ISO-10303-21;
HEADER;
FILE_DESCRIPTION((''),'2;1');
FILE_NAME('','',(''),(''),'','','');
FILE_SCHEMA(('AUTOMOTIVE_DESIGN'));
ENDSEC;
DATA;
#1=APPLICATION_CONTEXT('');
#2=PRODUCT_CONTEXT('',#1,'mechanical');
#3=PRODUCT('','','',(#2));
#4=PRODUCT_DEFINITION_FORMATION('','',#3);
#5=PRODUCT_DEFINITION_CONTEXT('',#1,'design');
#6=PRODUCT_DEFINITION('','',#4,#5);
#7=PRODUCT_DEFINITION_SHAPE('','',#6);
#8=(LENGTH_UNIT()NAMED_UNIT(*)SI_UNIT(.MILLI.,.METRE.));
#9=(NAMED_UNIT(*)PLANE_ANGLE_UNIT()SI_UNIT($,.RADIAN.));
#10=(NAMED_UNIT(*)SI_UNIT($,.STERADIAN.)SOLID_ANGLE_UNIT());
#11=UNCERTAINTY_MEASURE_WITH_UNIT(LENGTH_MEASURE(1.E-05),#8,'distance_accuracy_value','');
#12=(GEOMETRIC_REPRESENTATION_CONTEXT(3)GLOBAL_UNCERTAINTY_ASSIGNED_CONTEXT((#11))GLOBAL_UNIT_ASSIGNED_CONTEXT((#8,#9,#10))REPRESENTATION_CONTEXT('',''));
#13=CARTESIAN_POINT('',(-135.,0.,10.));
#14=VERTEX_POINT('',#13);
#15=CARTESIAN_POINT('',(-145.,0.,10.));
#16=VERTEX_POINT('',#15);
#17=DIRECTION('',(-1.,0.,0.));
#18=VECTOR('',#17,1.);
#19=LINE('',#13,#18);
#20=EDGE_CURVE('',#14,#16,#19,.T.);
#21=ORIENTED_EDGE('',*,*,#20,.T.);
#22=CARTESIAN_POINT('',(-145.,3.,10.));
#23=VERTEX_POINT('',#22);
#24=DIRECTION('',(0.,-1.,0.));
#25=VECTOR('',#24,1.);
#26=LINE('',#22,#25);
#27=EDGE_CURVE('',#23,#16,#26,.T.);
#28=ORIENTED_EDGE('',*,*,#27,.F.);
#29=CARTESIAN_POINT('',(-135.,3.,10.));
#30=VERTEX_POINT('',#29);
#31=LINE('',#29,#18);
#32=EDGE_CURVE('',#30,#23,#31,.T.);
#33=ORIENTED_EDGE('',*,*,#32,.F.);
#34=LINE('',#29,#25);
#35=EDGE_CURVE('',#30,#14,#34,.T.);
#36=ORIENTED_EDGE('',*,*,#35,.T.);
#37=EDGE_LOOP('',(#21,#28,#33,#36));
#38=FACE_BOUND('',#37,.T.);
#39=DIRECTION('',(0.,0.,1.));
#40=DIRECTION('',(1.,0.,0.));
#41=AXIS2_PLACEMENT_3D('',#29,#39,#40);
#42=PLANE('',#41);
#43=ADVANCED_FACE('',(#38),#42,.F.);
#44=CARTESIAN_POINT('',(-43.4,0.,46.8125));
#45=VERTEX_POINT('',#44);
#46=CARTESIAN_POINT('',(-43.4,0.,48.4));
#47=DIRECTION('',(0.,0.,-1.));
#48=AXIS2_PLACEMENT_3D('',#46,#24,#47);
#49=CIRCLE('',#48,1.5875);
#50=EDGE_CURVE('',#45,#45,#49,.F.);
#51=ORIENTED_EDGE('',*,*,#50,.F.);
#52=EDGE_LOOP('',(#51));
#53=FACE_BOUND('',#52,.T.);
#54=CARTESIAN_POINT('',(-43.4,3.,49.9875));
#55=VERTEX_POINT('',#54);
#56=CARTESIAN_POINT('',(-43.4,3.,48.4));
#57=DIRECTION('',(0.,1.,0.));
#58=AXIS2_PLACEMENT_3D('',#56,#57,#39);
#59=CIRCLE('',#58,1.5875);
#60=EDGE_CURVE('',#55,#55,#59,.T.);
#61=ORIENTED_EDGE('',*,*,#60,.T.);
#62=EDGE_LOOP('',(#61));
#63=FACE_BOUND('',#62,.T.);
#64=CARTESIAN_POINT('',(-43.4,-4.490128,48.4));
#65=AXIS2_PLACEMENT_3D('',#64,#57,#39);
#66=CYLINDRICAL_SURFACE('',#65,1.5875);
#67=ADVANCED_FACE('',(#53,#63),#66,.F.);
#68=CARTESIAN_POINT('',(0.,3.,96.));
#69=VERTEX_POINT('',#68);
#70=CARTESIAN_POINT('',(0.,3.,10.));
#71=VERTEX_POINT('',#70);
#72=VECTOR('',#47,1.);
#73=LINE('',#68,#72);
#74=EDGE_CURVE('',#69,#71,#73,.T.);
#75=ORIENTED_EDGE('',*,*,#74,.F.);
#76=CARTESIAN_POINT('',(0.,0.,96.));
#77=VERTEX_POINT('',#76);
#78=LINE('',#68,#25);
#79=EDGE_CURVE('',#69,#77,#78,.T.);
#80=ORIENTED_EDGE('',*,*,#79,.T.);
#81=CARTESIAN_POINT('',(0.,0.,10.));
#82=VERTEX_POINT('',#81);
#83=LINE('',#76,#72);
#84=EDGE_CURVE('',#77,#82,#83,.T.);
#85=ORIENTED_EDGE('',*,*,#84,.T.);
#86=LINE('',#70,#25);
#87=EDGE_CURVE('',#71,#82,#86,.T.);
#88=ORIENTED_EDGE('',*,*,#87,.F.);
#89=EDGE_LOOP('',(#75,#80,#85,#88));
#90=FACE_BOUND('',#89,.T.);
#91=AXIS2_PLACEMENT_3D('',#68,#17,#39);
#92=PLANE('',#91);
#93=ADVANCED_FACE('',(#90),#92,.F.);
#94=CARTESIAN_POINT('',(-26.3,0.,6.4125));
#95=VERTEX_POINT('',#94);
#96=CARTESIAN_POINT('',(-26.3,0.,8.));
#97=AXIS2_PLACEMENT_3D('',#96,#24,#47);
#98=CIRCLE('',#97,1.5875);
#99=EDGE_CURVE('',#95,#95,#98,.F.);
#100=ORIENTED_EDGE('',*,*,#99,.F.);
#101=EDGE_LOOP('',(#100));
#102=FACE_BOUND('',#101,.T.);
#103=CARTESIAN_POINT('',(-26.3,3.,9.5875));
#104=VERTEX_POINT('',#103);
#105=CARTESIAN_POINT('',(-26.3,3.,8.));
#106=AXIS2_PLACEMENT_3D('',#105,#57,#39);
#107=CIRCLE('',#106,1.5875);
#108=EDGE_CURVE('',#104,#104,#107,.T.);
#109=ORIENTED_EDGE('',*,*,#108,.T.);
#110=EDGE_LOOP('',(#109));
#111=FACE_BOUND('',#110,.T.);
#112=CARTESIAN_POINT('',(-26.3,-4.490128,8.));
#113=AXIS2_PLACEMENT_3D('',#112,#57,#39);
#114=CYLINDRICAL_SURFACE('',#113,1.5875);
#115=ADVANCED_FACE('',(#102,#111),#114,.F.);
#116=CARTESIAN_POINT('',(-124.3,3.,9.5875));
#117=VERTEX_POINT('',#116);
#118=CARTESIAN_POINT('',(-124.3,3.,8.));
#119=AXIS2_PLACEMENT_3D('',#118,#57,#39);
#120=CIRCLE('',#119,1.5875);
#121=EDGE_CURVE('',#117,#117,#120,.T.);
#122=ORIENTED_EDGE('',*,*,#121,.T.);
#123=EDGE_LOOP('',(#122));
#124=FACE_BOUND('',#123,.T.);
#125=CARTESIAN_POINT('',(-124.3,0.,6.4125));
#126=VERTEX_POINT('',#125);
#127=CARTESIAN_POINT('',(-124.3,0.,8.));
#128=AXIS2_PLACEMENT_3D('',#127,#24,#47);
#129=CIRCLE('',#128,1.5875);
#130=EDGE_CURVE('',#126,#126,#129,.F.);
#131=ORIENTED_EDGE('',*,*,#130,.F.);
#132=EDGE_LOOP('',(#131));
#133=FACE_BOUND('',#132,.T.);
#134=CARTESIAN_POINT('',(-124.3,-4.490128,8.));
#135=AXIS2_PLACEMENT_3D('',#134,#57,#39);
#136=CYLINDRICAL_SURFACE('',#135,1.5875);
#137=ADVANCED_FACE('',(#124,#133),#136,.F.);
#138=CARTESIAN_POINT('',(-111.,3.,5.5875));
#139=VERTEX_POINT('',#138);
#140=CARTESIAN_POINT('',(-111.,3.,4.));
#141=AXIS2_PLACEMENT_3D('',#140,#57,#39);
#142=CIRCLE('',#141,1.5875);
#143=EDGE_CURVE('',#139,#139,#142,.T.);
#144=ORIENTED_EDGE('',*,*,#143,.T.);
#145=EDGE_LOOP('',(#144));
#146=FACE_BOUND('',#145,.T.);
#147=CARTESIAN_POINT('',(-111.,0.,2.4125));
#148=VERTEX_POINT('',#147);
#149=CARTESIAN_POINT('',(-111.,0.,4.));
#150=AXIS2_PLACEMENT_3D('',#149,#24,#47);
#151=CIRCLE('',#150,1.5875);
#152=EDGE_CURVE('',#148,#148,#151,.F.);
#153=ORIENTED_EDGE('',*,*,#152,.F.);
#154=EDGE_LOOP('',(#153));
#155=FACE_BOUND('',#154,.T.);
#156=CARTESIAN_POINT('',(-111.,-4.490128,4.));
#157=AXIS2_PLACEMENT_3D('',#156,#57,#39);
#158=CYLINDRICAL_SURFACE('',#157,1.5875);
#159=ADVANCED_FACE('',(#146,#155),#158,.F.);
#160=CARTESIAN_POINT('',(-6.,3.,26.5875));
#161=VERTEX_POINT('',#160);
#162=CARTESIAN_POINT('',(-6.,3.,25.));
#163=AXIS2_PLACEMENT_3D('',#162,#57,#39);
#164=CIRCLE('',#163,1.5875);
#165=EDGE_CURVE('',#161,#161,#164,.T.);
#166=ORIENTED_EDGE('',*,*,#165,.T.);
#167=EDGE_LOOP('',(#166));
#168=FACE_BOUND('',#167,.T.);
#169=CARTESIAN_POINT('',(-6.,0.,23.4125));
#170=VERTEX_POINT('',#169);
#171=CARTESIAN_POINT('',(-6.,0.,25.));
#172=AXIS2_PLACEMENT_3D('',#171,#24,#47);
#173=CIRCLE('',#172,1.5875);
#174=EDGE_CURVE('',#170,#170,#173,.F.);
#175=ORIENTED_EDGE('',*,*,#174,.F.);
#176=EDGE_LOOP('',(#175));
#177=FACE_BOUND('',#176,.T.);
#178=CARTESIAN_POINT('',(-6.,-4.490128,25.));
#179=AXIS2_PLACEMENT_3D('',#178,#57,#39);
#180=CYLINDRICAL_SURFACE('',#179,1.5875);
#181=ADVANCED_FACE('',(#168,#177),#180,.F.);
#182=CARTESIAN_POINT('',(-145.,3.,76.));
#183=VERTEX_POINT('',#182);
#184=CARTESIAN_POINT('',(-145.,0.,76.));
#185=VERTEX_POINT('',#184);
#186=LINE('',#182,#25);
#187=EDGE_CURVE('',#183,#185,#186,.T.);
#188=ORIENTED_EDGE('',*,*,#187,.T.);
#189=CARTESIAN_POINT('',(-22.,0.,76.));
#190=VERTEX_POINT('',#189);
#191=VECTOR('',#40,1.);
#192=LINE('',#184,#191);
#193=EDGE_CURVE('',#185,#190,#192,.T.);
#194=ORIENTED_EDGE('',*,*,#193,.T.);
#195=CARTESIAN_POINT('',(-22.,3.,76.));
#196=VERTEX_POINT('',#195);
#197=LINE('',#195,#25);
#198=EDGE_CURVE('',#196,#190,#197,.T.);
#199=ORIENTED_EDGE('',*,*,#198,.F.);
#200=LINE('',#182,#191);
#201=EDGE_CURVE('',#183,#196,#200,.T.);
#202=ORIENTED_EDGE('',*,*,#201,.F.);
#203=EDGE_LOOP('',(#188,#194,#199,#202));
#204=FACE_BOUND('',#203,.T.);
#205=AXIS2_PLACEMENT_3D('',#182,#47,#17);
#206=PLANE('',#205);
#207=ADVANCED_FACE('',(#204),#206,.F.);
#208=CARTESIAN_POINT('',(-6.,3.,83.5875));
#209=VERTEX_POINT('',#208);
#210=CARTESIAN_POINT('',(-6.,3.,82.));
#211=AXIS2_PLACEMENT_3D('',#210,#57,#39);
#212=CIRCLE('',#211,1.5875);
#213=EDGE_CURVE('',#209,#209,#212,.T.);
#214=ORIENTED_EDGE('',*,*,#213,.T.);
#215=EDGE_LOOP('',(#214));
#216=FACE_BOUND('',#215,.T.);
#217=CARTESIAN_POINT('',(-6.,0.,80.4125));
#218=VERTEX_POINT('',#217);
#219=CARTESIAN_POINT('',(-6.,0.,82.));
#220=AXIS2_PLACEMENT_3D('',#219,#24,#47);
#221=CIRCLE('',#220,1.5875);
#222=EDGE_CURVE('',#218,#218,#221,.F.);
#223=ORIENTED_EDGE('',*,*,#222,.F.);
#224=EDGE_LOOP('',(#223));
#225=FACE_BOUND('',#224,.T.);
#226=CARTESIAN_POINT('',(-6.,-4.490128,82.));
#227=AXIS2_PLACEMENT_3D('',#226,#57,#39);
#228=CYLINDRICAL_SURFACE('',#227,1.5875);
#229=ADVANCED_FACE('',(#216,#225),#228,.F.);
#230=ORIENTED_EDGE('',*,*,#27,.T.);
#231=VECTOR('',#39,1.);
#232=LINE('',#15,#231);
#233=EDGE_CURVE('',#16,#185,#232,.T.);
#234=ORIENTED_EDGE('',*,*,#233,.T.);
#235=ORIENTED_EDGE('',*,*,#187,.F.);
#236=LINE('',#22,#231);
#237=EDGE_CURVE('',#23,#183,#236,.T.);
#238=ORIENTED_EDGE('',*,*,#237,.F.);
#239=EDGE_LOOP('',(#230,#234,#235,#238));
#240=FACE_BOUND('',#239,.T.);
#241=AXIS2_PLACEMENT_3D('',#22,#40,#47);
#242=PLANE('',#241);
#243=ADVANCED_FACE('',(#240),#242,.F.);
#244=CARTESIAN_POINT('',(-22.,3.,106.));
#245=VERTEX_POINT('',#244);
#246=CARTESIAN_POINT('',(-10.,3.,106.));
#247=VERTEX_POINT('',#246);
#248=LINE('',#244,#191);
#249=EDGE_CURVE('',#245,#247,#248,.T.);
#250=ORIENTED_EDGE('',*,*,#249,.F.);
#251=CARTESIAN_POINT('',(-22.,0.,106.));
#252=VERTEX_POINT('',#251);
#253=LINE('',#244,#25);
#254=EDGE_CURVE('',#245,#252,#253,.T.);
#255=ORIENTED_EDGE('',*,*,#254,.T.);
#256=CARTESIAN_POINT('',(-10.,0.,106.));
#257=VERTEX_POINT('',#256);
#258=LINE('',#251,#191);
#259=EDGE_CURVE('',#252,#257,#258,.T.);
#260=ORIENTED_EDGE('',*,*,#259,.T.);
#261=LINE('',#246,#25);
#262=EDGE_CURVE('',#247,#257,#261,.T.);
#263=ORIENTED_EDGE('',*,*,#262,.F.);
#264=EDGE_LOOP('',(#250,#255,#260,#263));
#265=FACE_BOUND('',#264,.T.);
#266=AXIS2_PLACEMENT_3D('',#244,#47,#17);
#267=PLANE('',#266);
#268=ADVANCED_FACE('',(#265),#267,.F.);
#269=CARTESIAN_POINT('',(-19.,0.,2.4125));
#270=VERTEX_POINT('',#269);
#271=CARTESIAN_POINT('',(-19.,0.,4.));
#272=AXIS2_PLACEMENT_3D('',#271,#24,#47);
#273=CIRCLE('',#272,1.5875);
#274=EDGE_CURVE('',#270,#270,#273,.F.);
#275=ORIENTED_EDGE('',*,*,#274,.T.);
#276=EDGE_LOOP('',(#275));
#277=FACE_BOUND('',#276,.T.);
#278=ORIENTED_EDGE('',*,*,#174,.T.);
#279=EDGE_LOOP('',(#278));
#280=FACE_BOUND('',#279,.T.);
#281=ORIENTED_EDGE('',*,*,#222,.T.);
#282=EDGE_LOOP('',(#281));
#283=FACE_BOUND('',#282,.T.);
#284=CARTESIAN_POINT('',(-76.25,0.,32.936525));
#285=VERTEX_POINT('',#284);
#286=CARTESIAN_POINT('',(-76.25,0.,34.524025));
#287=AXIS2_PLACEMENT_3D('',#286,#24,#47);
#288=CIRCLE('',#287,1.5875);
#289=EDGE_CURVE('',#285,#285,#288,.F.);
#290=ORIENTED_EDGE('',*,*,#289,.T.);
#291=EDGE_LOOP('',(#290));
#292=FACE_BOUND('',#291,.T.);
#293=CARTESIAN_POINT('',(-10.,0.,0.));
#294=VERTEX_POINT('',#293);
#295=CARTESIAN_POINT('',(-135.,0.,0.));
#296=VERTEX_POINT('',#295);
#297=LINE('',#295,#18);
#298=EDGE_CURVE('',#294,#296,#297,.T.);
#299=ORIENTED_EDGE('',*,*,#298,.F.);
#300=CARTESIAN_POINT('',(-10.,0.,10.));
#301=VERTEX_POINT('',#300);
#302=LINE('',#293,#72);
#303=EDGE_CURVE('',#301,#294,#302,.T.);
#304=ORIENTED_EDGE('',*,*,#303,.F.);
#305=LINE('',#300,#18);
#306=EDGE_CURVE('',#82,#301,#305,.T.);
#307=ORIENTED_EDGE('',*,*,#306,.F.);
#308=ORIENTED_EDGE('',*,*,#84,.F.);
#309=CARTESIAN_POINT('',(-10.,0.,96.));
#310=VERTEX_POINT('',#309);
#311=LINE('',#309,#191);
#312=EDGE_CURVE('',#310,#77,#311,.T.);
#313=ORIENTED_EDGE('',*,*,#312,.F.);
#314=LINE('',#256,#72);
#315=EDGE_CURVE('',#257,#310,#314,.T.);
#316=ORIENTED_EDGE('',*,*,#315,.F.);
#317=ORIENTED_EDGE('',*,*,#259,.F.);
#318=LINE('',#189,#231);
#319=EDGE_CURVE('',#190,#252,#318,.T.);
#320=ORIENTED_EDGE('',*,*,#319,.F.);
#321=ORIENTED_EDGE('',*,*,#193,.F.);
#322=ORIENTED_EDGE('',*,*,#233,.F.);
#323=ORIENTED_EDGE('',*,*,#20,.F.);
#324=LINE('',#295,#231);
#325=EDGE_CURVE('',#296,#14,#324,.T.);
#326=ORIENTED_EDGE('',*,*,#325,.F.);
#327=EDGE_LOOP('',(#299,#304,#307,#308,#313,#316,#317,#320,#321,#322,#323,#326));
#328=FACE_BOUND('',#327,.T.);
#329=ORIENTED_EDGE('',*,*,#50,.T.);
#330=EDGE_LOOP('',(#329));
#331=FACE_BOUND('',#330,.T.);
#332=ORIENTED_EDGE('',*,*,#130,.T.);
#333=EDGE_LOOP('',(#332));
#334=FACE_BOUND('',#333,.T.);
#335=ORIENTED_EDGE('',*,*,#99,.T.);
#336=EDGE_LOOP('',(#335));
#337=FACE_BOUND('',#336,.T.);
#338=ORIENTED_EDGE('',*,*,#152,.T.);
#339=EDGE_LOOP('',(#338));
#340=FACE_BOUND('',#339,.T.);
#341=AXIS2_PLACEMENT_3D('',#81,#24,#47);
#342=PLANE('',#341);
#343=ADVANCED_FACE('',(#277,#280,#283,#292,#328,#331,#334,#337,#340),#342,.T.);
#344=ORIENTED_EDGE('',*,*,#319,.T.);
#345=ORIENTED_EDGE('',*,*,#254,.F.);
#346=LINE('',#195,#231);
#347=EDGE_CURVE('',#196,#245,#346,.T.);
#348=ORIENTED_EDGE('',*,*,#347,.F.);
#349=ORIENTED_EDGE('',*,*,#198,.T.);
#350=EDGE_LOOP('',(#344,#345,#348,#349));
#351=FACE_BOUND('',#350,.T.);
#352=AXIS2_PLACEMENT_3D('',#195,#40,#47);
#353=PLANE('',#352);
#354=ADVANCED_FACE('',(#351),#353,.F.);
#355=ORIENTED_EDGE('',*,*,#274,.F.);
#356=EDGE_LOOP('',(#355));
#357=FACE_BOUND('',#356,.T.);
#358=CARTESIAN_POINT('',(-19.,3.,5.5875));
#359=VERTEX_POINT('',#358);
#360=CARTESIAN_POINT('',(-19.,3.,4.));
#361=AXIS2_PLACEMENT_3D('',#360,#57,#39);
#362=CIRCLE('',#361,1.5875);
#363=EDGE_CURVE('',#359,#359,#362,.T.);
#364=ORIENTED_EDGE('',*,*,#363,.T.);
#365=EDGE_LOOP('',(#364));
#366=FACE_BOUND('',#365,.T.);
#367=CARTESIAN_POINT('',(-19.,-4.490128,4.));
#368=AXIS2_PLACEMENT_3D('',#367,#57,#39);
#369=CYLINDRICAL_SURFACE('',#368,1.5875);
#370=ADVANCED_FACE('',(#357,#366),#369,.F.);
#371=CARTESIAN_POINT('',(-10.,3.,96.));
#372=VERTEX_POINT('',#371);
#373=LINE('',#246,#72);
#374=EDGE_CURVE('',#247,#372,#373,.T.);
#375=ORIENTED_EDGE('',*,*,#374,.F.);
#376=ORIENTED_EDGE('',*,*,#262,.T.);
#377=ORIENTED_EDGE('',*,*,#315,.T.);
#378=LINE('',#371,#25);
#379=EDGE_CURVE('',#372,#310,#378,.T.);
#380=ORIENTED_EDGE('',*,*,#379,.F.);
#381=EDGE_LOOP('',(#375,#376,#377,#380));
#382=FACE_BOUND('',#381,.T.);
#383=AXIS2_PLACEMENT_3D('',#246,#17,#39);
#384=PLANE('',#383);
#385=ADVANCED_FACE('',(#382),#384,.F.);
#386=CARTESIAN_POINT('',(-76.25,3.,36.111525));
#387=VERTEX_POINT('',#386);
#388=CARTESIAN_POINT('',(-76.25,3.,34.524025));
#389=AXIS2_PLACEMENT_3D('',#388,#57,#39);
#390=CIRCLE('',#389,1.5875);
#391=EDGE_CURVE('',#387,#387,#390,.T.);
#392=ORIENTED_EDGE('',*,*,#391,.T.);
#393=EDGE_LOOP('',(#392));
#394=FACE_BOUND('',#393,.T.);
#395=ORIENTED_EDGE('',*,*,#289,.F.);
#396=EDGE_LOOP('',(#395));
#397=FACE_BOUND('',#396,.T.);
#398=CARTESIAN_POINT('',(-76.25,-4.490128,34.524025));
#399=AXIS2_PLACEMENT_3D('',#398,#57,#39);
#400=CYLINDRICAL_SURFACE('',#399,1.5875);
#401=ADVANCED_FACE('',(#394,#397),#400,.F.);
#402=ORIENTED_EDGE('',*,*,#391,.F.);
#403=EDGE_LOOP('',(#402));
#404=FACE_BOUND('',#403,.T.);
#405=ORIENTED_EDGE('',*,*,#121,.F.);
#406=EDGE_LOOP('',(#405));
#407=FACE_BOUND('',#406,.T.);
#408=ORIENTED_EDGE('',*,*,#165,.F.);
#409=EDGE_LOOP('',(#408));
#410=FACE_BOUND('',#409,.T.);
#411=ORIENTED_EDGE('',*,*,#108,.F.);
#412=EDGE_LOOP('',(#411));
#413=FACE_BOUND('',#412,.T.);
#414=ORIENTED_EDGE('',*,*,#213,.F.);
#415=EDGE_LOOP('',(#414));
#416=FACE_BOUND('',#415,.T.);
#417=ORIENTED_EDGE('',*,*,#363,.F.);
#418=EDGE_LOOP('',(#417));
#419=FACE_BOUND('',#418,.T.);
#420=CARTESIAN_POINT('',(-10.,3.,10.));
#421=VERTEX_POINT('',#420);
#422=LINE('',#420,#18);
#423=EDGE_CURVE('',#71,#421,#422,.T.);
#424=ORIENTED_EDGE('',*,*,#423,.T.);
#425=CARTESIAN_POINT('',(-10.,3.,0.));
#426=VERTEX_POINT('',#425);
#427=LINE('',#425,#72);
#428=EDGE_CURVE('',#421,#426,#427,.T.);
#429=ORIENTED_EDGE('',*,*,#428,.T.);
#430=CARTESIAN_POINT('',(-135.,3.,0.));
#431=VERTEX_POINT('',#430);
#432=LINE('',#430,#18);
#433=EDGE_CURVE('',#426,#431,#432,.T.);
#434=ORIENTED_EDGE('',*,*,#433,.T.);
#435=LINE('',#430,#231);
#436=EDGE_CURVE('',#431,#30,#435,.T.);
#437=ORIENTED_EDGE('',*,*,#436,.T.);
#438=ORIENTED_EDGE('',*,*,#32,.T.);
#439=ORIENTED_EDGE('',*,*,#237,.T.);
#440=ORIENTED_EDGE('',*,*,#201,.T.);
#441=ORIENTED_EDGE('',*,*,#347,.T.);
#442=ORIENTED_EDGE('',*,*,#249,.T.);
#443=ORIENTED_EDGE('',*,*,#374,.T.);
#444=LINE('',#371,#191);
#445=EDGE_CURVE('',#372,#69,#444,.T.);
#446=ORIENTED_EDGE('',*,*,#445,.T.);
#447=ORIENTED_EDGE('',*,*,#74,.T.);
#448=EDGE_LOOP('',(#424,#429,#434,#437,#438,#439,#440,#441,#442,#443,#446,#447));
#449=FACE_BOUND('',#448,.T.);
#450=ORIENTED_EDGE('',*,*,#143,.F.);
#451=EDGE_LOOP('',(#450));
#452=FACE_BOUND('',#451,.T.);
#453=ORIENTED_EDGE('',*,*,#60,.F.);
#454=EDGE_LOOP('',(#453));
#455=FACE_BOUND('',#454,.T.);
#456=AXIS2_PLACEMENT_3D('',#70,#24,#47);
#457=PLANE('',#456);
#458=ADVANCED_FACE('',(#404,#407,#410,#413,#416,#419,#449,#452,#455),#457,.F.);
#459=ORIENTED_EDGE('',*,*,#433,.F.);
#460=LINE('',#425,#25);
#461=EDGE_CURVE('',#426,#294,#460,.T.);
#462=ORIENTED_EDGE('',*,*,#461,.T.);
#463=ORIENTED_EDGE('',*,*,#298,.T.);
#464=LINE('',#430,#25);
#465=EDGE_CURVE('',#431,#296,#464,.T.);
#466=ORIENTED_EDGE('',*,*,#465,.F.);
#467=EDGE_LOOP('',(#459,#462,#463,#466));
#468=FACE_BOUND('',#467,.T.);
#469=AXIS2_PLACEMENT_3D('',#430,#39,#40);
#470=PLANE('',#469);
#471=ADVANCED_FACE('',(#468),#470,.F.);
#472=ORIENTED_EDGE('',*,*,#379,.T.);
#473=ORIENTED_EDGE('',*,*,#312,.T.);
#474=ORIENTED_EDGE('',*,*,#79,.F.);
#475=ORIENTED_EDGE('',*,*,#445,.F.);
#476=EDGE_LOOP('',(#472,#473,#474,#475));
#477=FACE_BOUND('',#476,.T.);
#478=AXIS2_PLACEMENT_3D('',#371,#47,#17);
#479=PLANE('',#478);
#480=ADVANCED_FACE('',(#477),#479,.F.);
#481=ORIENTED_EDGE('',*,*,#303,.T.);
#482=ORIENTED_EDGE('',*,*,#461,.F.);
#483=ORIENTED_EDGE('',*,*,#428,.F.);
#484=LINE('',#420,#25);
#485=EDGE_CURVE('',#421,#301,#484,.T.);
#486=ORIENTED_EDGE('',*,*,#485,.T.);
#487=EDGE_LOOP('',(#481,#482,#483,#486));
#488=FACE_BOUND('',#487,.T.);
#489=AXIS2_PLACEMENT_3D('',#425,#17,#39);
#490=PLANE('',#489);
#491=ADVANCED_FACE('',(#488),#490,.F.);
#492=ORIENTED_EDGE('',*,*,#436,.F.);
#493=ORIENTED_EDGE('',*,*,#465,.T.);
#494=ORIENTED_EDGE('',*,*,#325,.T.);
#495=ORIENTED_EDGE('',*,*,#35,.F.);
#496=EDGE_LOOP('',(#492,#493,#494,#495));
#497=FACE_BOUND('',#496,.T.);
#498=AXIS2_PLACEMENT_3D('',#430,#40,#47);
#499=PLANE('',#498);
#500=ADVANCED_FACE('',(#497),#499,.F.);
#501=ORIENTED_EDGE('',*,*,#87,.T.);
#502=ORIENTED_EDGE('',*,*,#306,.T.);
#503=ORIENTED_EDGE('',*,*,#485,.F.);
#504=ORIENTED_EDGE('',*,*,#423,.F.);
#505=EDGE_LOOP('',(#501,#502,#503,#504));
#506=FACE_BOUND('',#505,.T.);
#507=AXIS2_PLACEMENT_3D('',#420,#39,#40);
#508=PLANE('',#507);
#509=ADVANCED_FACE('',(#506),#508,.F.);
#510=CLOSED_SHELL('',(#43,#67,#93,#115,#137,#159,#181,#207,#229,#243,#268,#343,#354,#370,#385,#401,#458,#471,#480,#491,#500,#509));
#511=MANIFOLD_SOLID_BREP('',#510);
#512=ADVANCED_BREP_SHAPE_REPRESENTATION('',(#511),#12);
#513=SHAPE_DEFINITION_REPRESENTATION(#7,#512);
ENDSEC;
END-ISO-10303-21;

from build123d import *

# Parameters (mm, degrees)
EXTRUDE1_DEPTH     = 3
SKETCH2_R          = 1.5875
EXTRUDE2_DEPTH     = 3
SKETCH3_R          = 1.5875
EXTRUDE3_DEPTH     = 3
SKETCH5_R          = 1.5875
CUT_EXTRUDE1_DEPTH = 3


with BuildPart() as part:
    # Sketch1 → Extrude1 (new body)
    with BuildSketch(Plane(origin=(0, 0, 0), x_dir=(1, 0, 0), z_dir=(0, 1, 0))):
        Polygon((-145, -76), (-22, -76), (-22, -106), (-10, -106), (-10, -96), (0, -96), (0, -10), (-10, -10), (-10, 0), (-135, 0), (-135, -10), (-145, -10), align=None)
    extrude(amount=EXTRUDE1_DEPTH)

    # Sketch2 → Extrude2 (cut)
    with BuildSketch(Plane(origin=(0, 3, 0), x_dir=(1, 0, 0), z_dir=(0, 1, 0))):
        with Locations(Location((-6, -25, 0), (0, 0, 270))):
            Circle(SKETCH2_R)
        with Locations(Location((-6, -82, 0), (0, 0, 270))):
            Circle(SKETCH2_R)
        with Locations(Location((-26.3, -8, 0), (0, 0, 270))):
            Circle(SKETCH2_R)
        with Locations(Location((-124.3, -8, 0), (0, 0, 270))):
            Circle(SKETCH2_R)
    extrude(amount=-EXTRUDE2_DEPTH, mode=Mode.SUBTRACT)

    # Sketch3 → Extrude3 (cut)
    with BuildSketch(Plane(origin=(0, 3, 0), x_dir=(1, 0, 0), z_dir=(0, 1, 0))):
        with Locations(Location((-111, -4, 0), (0, 0, 270))):
            Circle(SKETCH3_R)
        with Locations(Location((-19, -4, 0), (0, 0, 270))):
            Circle(SKETCH3_R)
        with Locations(Location((-43.4, -48.4, 0), (0, 0, 270))):
            Circle(SKETCH3_R)
    extrude(amount=-EXTRUDE3_DEPTH, mode=Mode.SUBTRACT)

    # Sketch5 → Cut-Extrude1 (cut)
    with BuildSketch(Plane(origin=(0, 3, 0), x_dir=(1, 0, 0), z_dir=(0, 1, 0))):
        with Locations(Location((-76.25, -34.5240252, 0), (0, 0, 270))):
            Circle(SKETCH5_R)
    extrude(amount=-CUT_EXTRUDE1_DEPTH, mode=Mode.SUBTRACT)


solid = part.part
